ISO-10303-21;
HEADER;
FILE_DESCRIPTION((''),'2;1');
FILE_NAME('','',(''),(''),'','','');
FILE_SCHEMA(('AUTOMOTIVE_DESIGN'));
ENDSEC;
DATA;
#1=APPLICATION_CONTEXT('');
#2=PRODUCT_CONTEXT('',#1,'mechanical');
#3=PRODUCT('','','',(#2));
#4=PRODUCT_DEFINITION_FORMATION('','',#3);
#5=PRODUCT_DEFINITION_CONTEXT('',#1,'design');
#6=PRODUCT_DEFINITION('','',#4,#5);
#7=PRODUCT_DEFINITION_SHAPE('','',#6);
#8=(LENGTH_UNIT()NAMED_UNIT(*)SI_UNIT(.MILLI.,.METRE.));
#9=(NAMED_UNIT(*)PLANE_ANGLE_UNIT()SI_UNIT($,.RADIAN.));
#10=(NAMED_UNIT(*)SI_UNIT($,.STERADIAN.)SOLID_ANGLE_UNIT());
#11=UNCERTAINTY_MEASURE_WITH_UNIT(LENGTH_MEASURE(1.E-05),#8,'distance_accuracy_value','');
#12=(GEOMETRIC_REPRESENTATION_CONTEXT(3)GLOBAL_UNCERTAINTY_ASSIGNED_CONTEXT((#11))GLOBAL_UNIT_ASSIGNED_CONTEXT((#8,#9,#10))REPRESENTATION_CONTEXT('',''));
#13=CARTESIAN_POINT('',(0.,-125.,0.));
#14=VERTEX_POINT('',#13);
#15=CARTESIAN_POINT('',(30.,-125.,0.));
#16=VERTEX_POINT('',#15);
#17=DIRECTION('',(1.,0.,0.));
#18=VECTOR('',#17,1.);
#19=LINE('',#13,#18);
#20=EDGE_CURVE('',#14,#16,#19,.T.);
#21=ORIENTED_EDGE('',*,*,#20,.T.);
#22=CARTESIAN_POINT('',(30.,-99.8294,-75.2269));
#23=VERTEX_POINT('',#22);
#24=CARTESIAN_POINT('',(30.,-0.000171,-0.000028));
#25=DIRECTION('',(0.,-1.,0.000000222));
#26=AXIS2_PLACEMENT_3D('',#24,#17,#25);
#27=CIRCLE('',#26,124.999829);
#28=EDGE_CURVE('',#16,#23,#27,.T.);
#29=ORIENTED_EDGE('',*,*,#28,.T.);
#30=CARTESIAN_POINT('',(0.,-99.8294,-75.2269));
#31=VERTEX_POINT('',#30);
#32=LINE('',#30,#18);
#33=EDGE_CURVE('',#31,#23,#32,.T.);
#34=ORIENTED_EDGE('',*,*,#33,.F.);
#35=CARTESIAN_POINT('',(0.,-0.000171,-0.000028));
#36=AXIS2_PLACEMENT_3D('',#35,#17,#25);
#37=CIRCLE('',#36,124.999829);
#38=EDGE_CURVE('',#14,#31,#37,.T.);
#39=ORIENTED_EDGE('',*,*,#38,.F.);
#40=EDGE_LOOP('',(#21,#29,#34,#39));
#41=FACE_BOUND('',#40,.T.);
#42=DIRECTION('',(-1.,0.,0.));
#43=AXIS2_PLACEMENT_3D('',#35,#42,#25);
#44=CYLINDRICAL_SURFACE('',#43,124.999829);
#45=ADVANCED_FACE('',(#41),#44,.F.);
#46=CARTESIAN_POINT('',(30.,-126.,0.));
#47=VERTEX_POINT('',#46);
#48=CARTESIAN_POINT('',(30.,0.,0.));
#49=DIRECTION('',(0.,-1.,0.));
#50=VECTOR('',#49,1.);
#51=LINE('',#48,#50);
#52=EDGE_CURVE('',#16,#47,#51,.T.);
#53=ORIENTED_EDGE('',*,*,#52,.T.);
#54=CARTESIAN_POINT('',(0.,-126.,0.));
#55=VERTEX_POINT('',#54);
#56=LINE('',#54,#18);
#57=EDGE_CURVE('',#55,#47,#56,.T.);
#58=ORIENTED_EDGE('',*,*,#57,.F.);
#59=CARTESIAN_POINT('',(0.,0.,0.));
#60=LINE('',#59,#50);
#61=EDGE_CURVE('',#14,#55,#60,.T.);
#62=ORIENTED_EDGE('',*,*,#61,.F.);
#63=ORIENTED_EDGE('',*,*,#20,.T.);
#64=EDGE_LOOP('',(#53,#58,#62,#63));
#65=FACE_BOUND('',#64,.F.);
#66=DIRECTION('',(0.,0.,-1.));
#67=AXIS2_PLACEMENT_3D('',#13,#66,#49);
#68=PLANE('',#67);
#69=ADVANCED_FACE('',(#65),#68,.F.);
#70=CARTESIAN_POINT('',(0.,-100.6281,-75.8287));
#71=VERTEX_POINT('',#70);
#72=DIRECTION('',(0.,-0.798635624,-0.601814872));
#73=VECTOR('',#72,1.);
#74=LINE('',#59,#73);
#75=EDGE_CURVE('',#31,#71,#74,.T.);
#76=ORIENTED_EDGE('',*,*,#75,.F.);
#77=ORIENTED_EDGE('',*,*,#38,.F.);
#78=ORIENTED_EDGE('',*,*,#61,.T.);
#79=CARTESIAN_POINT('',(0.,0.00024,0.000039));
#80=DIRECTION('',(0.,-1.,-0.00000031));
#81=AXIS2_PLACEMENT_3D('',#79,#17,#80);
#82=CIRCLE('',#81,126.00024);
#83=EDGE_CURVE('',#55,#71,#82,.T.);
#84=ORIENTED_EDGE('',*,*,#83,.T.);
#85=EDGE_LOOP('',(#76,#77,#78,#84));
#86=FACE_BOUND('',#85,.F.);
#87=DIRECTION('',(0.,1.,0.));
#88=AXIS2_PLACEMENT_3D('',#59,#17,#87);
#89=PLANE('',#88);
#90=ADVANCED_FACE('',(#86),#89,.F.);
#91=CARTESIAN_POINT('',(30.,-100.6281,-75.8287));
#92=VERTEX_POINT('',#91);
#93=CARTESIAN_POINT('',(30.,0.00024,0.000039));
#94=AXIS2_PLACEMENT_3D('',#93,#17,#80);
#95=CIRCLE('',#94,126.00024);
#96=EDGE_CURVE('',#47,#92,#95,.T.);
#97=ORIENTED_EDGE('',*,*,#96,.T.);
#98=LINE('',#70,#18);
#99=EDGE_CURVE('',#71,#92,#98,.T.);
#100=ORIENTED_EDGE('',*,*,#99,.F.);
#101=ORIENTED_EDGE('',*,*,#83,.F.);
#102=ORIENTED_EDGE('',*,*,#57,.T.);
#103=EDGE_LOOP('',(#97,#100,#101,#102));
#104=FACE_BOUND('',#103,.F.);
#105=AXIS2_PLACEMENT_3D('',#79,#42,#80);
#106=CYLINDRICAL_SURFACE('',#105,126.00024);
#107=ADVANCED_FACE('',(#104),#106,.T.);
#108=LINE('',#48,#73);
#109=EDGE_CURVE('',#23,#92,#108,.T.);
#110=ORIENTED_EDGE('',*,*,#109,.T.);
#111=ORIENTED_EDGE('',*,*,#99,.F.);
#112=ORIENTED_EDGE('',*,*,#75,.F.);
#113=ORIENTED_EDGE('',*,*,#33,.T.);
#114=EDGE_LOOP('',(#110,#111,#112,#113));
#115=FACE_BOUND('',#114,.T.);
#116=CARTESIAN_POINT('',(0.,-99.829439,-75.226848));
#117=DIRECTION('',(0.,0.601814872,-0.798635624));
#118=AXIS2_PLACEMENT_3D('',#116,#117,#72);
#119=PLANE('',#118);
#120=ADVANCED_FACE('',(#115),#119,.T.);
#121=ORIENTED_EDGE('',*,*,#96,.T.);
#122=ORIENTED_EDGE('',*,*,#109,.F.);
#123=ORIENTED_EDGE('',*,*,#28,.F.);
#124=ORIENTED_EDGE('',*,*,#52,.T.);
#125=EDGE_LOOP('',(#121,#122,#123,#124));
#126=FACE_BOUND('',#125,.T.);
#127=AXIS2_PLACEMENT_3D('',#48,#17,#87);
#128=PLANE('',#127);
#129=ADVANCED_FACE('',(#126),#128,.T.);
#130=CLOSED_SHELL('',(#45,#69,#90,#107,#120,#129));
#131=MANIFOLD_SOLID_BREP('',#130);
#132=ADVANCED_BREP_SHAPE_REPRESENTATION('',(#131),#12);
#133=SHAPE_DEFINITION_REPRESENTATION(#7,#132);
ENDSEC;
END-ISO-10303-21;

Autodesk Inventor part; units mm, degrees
ref_plane "YZ Plane" through (0, 0, 0) normal (1, 0, 0) x (0, 1, 0)
ref_plane "XZ Plane" through (0, 0, 0) normal (0, 1, 0) x (-1, 0, 0)
ref_plane "XY Plane" through (0, 0, 0) normal (0, 0, 1) x (1, 0, 0)
sketch "Sketch1" plane through (0, 0, 0) normal (1, 0, 0) x (0, 1, 0)
  arc A0 (-125, 0) -> (-99.8294, -75.2269) centre (0, 0) ccw
  line L0 (0, 0) -> (-126.6126, -95.4094)
  line L1 (0, 0) -> (-162.8559, 0)
  arc A1 (-126, 0) -> (-100.6281, -75.8287) centre (0, 0) ccw
  line L2 (-126, 0) -> (-125, 0)
  line L3 (-99.8294, -75.2269) -> (-100.6281, -75.8287)
  point P0 (-126, 0)
  point P1 (-100.6281, -75.8287)
  dimension "d0" = 250
  dimension "d1" = 37
  dimension "d2" = 1
extrude "Extrusion1" add sketch "Sketch1" along normal blind 30 contours A0 L0 A1 L1
sketch "Sketch2" plane through (30, 0, 0) normal (1, 0, 0) x (0, 0, -1)
  circle A0 centre (41.1833, -118.5503) radius 0.5
  arc A1 (0, -125) -> (75.2269, -99.8294) centre (0, 0) ccw projected
  arc A2 (0, -126) -> (75.8287, -100.6281) centre (0, 0) ccw projected
properties part number "patch_antenna"
